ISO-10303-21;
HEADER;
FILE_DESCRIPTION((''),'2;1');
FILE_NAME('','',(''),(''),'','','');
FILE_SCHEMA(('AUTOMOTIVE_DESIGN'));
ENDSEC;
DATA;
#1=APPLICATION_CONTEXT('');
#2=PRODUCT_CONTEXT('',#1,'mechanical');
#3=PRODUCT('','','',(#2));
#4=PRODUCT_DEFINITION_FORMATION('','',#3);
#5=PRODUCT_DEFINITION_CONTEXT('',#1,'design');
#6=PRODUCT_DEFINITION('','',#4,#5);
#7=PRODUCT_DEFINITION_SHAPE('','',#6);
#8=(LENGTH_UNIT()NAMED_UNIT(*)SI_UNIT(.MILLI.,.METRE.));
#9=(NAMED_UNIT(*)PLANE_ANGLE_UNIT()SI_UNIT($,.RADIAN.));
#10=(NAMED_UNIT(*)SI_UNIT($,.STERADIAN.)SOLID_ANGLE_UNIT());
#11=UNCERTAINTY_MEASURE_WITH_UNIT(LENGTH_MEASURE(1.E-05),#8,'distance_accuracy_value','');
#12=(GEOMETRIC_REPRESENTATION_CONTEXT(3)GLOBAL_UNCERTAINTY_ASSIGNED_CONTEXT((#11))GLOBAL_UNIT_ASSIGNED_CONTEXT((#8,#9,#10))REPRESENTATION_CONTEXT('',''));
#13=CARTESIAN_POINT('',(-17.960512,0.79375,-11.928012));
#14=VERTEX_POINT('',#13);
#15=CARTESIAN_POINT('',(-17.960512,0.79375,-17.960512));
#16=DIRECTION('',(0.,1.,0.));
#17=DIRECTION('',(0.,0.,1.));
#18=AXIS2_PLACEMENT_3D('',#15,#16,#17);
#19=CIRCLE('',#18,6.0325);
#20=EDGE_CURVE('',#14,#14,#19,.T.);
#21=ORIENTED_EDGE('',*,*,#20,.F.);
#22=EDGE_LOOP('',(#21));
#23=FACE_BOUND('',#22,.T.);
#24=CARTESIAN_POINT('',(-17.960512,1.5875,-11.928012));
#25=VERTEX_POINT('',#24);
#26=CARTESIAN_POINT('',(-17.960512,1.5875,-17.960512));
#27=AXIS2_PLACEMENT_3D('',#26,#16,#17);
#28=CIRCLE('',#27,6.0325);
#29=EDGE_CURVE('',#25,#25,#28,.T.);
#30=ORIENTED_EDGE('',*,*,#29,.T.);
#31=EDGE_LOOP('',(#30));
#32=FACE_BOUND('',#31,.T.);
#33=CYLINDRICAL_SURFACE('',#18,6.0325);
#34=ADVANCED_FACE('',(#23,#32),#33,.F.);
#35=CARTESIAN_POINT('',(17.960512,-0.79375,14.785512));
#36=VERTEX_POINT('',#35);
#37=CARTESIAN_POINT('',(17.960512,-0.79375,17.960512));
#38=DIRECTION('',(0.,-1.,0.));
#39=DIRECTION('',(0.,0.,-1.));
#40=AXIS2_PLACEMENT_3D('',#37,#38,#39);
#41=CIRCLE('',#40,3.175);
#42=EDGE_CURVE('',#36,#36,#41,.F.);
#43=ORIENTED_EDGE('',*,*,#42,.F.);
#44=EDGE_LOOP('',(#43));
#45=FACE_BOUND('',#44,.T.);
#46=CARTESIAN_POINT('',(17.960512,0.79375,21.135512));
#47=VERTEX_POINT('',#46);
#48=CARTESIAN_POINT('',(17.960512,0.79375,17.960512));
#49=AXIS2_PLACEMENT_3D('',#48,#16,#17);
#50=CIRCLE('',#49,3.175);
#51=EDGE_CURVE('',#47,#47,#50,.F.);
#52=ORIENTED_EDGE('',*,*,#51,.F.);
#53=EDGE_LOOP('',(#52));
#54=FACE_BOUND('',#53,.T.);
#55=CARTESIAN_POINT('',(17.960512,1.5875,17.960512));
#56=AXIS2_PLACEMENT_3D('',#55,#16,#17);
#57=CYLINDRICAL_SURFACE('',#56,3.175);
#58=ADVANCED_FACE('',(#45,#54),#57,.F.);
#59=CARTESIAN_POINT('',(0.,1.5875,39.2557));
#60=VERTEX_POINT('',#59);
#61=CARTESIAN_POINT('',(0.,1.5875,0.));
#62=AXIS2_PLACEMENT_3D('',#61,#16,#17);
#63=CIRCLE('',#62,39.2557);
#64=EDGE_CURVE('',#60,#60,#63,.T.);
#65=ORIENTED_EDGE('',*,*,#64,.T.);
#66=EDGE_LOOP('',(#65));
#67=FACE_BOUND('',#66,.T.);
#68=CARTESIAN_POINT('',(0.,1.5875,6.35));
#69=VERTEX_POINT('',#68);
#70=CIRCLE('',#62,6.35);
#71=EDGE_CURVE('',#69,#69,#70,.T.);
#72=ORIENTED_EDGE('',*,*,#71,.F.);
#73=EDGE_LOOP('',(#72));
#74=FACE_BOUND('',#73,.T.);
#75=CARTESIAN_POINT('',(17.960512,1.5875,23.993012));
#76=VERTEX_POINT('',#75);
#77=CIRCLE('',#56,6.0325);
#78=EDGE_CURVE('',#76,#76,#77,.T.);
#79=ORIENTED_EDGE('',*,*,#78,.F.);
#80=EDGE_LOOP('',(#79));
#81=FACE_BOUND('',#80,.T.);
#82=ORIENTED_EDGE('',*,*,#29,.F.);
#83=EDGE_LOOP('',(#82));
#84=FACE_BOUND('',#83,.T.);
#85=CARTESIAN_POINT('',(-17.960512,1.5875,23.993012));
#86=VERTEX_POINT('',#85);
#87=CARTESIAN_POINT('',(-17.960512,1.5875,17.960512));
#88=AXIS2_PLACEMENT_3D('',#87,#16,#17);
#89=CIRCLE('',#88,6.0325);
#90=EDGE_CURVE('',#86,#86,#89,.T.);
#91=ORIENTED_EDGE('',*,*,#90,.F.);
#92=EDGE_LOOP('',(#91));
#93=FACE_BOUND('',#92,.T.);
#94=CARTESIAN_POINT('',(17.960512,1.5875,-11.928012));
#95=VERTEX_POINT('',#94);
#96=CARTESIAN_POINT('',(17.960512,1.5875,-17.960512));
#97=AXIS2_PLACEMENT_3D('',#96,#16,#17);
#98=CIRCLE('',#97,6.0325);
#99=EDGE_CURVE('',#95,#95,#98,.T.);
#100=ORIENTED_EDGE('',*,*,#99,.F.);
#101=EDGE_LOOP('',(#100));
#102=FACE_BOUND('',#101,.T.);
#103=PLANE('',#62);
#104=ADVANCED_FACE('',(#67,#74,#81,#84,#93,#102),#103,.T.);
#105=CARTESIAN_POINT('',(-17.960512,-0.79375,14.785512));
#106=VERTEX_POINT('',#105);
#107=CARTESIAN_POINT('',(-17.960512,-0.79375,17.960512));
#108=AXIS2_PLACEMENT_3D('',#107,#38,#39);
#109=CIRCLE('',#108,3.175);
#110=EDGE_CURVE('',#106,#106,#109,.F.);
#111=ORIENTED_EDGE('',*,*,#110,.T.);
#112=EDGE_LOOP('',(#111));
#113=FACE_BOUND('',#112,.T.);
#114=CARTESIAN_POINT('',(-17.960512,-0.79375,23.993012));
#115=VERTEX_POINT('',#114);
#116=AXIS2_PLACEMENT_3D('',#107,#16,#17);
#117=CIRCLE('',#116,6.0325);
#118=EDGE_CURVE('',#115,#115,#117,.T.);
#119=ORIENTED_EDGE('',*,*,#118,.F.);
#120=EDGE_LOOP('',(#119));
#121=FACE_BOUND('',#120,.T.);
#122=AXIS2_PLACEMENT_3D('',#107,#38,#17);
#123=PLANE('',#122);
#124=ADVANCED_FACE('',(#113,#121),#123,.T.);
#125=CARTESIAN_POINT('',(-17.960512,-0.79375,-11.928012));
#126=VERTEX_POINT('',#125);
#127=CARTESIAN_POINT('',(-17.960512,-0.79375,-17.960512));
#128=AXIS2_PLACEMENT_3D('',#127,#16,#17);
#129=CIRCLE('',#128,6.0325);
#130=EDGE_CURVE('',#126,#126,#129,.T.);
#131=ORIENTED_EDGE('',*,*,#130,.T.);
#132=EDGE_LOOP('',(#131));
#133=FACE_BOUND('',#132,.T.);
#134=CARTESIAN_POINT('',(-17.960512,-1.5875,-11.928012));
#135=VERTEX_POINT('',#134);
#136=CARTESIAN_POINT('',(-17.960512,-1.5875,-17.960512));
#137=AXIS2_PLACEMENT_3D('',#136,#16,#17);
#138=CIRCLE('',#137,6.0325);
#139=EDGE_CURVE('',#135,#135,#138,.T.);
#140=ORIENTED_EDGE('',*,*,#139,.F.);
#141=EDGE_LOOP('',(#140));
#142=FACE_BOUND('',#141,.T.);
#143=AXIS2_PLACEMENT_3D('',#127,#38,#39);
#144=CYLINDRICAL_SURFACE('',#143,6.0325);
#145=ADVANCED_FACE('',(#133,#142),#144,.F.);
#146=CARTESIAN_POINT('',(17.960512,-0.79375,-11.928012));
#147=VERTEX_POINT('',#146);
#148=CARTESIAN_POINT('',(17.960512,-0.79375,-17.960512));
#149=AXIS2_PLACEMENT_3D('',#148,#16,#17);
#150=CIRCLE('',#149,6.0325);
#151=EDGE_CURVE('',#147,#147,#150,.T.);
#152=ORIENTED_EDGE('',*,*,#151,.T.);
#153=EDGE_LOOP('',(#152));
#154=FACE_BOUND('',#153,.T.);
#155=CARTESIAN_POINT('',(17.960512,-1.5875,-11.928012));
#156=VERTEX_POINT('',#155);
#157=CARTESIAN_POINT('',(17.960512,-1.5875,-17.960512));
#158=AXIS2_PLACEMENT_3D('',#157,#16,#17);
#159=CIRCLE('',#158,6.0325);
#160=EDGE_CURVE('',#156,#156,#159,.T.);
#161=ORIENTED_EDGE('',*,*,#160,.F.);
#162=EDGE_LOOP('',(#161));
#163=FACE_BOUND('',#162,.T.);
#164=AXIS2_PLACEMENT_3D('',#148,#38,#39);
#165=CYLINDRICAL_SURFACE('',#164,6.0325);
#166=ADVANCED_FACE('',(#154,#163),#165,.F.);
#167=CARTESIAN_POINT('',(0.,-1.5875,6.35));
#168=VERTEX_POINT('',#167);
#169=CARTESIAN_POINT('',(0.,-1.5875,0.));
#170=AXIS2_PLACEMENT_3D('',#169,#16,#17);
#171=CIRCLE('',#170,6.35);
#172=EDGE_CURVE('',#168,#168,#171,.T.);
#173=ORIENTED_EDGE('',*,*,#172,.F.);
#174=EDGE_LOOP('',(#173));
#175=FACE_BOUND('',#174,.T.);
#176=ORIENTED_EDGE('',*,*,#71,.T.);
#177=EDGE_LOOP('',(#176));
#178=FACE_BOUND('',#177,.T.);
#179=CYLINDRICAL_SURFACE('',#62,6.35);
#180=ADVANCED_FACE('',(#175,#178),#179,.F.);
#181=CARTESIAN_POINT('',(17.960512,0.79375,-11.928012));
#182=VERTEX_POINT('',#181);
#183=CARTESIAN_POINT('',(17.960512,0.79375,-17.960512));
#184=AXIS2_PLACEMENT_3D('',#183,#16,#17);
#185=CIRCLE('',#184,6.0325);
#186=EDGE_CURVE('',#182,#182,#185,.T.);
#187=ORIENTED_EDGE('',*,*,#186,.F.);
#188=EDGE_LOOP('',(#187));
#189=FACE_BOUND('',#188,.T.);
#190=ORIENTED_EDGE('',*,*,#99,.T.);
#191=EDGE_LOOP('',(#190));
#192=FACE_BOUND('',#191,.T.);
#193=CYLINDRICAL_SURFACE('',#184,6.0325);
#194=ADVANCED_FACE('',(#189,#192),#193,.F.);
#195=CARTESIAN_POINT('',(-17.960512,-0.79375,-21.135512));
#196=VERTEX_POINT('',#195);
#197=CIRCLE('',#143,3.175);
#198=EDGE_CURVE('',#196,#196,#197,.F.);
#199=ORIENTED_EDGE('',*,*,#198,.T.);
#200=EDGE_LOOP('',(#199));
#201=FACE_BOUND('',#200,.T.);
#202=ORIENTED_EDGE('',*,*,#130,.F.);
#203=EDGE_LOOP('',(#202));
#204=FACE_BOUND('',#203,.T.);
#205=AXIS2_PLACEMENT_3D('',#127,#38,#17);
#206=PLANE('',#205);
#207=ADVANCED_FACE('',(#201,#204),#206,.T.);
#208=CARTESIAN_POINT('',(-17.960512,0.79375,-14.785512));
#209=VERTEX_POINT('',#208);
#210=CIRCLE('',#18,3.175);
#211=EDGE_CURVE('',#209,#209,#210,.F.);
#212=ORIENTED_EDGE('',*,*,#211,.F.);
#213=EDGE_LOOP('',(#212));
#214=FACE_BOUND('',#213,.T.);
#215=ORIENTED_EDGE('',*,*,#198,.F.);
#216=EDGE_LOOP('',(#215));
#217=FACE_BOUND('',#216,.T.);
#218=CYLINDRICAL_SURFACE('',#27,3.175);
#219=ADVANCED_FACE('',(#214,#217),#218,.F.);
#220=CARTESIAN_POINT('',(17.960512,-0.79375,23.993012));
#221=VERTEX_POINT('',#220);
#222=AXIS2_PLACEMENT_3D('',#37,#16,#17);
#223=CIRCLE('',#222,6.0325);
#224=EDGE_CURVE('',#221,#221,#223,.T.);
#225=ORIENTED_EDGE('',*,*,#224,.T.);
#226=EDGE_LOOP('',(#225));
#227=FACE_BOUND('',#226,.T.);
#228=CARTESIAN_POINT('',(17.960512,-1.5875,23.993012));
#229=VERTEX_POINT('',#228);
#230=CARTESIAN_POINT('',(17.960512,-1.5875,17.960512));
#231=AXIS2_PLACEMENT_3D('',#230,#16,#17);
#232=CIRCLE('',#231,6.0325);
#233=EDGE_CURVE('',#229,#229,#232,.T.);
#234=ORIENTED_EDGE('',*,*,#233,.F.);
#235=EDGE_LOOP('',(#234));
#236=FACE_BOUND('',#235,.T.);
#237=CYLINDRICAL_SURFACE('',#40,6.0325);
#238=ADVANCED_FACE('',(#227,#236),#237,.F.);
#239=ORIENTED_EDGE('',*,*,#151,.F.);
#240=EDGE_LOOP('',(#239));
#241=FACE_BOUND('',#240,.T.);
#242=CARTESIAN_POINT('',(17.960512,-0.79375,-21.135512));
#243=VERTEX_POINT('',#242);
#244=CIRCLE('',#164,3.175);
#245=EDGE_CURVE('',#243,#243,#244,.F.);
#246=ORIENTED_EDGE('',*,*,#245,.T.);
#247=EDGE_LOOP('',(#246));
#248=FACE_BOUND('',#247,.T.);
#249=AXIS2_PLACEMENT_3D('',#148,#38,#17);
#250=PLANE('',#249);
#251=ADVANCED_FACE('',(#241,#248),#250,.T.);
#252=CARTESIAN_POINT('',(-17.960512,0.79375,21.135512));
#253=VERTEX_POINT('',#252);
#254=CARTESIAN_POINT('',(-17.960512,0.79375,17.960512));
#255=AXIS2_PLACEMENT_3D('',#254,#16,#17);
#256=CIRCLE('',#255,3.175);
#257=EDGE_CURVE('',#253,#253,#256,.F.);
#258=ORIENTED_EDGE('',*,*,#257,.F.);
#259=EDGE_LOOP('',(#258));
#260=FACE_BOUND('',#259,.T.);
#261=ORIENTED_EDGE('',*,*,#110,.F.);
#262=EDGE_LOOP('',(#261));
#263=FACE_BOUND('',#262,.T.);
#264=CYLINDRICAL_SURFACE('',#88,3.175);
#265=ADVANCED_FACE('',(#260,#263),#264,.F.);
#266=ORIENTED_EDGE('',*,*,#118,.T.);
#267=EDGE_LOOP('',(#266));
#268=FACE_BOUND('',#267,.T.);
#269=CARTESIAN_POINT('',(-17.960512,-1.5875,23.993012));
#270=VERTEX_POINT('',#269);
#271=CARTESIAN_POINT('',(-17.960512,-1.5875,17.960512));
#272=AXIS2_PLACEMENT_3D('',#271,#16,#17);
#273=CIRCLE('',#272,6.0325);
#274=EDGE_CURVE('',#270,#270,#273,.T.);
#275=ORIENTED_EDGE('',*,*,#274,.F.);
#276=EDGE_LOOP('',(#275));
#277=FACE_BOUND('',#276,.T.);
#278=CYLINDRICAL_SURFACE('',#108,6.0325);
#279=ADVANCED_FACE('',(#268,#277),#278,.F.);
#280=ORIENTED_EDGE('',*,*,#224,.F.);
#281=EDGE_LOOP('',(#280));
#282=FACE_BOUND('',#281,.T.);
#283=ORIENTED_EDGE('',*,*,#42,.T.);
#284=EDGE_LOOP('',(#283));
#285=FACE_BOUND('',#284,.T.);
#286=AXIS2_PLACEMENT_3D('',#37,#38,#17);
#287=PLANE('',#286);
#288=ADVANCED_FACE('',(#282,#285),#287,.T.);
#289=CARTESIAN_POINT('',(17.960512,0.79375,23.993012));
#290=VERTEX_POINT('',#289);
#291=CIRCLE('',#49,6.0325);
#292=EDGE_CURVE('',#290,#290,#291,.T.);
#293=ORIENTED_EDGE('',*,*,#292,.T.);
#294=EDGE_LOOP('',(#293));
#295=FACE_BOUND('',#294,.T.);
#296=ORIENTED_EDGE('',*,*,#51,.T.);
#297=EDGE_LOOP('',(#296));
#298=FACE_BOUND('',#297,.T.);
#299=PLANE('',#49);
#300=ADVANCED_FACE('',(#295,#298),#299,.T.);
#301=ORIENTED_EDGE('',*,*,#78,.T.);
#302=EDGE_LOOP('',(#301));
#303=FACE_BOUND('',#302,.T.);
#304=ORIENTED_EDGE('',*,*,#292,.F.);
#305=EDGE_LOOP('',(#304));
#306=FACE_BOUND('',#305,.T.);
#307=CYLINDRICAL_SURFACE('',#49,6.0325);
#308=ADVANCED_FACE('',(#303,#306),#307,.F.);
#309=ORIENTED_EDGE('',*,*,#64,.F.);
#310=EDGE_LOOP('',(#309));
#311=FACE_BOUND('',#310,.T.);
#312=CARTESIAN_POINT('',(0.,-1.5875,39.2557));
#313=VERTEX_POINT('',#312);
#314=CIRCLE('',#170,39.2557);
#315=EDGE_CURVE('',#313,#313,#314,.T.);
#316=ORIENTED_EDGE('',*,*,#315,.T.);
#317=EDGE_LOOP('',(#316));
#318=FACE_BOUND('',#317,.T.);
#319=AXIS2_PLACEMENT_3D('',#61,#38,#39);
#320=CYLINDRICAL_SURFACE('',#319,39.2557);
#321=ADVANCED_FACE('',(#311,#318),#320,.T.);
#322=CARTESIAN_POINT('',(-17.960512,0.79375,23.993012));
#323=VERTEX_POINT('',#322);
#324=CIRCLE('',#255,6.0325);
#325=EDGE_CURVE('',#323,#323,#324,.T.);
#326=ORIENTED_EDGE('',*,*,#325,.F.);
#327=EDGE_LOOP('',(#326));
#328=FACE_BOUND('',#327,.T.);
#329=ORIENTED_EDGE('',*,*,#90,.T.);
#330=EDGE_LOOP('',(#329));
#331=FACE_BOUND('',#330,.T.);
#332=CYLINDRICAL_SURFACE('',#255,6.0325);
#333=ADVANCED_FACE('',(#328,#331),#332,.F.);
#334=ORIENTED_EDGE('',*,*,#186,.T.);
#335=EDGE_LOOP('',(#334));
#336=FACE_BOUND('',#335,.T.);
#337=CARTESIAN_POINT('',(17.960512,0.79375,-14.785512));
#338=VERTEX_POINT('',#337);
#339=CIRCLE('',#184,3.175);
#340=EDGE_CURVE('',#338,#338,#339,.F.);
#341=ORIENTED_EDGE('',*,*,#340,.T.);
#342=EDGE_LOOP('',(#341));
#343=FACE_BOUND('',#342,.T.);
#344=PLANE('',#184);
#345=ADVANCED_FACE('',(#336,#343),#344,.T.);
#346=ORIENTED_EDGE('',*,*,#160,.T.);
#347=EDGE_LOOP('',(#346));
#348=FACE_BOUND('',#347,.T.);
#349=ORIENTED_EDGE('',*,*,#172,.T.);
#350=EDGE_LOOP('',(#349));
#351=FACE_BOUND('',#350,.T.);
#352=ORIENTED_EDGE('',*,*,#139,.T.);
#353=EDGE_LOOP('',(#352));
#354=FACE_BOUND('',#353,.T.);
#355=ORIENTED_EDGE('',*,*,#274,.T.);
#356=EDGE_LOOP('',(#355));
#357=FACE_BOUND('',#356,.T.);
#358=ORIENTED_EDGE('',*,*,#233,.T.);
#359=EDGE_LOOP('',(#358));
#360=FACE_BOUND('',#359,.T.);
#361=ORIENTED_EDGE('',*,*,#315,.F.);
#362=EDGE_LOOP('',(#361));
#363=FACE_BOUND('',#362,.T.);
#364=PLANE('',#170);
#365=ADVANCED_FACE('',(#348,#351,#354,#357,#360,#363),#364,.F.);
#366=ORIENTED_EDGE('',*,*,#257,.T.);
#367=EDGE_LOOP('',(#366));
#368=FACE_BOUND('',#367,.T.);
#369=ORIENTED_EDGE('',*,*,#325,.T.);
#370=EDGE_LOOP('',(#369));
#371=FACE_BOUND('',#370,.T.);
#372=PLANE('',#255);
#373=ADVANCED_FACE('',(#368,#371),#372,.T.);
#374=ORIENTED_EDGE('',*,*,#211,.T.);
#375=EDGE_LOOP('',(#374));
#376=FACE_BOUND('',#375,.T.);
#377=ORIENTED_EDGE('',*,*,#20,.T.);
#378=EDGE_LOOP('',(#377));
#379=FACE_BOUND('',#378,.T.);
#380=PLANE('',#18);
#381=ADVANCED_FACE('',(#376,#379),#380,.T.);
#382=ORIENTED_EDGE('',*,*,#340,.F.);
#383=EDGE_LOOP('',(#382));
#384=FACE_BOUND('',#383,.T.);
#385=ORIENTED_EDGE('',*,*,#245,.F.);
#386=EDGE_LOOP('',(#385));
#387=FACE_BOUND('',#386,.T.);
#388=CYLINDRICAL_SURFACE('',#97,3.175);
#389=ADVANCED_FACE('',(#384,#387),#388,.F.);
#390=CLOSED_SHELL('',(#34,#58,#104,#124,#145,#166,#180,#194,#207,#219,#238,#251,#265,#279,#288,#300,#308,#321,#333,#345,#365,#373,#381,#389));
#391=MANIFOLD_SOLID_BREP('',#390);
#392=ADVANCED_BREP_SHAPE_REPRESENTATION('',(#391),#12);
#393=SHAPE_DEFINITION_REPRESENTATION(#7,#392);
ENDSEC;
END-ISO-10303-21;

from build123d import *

# Parameters (mm, degrees)
SKETCH2_R                   = 39.2557
BOSS_EXTRUDE1_DEPTH         = 1.5875
F_1_4_0_25_DIAMETER_HOLE1_D = 6.35
F_1_2_0_5_DIAMETER_HOLE1_D  = 12.7
SKETCH10_R                  = 6.0325
CUT_EXTRUDE1_DEPTH          = 0.79375


with BuildPart() as part:
    # Sketch2 → Boss-Extrude1 (new body, symmetric)
    with BuildSketch(Plane(origin=(0, 0, 0), x_dir=(1, 0, 0), z_dir=(0, 1, 0))):
        Circle(SKETCH2_R)
    extrude(amount=BOSS_EXTRUDE1_DEPTH, both=True)

    # 1/4 (0.25) Diameter Hole1 (through all)
    with Locations(Plane(origin=(0, 1.5875, 0), x_dir=(1, 0, 0), z_dir=(0, 1, 0))):
        with Locations((-17.960512242, -17.960512242), (-17.960512242, 17.960512242), (17.960512242, 17.960512242), (17.960512242, -17.960512242)):
            Hole(F_1_4_0_25_DIAMETER_HOLE1_D / 2)

    # 1/2 (0.5) Diameter Hole1 (through all)
    with Locations(Plane(origin=(0, 1.5875, 0), x_dir=(1, 0, 0), z_dir=(0, 1, 0))):
        with Locations((0, 0)):
            Hole(F_1_2_0_5_DIAMETER_HOLE1_D / 2)

    # Sketch10 → Cut-Extrude1 (cut)
    with BuildSketch(Plane(origin=(0, 1.5875, 0), x_dir=(1, 0, 0), z_dir=(0, 1, 0))):
        with Locations((-17.960512242, 17.960512242)):
            Circle(SKETCH10_R)
        with Locations((17.960512242, 17.960512242)):
            Circle(SKETCH10_R)
        with Locations((17.960512242, -17.960512242)):
            Circle(SKETCH10_R)
        with Locations((-17.960512242, -17.960512242)):
            Circle(SKETCH10_R)
    cut_extrude1 = extrude(amount=-CUT_EXTRUDE1_DEPTH, mode=Mode.SUBTRACT)

    # Mirror1: Cut-Extrude1 across plane
    add(cut_extrude1.mirror(Plane.ZX), mode=Mode.SUBTRACT)


solid = part.part
